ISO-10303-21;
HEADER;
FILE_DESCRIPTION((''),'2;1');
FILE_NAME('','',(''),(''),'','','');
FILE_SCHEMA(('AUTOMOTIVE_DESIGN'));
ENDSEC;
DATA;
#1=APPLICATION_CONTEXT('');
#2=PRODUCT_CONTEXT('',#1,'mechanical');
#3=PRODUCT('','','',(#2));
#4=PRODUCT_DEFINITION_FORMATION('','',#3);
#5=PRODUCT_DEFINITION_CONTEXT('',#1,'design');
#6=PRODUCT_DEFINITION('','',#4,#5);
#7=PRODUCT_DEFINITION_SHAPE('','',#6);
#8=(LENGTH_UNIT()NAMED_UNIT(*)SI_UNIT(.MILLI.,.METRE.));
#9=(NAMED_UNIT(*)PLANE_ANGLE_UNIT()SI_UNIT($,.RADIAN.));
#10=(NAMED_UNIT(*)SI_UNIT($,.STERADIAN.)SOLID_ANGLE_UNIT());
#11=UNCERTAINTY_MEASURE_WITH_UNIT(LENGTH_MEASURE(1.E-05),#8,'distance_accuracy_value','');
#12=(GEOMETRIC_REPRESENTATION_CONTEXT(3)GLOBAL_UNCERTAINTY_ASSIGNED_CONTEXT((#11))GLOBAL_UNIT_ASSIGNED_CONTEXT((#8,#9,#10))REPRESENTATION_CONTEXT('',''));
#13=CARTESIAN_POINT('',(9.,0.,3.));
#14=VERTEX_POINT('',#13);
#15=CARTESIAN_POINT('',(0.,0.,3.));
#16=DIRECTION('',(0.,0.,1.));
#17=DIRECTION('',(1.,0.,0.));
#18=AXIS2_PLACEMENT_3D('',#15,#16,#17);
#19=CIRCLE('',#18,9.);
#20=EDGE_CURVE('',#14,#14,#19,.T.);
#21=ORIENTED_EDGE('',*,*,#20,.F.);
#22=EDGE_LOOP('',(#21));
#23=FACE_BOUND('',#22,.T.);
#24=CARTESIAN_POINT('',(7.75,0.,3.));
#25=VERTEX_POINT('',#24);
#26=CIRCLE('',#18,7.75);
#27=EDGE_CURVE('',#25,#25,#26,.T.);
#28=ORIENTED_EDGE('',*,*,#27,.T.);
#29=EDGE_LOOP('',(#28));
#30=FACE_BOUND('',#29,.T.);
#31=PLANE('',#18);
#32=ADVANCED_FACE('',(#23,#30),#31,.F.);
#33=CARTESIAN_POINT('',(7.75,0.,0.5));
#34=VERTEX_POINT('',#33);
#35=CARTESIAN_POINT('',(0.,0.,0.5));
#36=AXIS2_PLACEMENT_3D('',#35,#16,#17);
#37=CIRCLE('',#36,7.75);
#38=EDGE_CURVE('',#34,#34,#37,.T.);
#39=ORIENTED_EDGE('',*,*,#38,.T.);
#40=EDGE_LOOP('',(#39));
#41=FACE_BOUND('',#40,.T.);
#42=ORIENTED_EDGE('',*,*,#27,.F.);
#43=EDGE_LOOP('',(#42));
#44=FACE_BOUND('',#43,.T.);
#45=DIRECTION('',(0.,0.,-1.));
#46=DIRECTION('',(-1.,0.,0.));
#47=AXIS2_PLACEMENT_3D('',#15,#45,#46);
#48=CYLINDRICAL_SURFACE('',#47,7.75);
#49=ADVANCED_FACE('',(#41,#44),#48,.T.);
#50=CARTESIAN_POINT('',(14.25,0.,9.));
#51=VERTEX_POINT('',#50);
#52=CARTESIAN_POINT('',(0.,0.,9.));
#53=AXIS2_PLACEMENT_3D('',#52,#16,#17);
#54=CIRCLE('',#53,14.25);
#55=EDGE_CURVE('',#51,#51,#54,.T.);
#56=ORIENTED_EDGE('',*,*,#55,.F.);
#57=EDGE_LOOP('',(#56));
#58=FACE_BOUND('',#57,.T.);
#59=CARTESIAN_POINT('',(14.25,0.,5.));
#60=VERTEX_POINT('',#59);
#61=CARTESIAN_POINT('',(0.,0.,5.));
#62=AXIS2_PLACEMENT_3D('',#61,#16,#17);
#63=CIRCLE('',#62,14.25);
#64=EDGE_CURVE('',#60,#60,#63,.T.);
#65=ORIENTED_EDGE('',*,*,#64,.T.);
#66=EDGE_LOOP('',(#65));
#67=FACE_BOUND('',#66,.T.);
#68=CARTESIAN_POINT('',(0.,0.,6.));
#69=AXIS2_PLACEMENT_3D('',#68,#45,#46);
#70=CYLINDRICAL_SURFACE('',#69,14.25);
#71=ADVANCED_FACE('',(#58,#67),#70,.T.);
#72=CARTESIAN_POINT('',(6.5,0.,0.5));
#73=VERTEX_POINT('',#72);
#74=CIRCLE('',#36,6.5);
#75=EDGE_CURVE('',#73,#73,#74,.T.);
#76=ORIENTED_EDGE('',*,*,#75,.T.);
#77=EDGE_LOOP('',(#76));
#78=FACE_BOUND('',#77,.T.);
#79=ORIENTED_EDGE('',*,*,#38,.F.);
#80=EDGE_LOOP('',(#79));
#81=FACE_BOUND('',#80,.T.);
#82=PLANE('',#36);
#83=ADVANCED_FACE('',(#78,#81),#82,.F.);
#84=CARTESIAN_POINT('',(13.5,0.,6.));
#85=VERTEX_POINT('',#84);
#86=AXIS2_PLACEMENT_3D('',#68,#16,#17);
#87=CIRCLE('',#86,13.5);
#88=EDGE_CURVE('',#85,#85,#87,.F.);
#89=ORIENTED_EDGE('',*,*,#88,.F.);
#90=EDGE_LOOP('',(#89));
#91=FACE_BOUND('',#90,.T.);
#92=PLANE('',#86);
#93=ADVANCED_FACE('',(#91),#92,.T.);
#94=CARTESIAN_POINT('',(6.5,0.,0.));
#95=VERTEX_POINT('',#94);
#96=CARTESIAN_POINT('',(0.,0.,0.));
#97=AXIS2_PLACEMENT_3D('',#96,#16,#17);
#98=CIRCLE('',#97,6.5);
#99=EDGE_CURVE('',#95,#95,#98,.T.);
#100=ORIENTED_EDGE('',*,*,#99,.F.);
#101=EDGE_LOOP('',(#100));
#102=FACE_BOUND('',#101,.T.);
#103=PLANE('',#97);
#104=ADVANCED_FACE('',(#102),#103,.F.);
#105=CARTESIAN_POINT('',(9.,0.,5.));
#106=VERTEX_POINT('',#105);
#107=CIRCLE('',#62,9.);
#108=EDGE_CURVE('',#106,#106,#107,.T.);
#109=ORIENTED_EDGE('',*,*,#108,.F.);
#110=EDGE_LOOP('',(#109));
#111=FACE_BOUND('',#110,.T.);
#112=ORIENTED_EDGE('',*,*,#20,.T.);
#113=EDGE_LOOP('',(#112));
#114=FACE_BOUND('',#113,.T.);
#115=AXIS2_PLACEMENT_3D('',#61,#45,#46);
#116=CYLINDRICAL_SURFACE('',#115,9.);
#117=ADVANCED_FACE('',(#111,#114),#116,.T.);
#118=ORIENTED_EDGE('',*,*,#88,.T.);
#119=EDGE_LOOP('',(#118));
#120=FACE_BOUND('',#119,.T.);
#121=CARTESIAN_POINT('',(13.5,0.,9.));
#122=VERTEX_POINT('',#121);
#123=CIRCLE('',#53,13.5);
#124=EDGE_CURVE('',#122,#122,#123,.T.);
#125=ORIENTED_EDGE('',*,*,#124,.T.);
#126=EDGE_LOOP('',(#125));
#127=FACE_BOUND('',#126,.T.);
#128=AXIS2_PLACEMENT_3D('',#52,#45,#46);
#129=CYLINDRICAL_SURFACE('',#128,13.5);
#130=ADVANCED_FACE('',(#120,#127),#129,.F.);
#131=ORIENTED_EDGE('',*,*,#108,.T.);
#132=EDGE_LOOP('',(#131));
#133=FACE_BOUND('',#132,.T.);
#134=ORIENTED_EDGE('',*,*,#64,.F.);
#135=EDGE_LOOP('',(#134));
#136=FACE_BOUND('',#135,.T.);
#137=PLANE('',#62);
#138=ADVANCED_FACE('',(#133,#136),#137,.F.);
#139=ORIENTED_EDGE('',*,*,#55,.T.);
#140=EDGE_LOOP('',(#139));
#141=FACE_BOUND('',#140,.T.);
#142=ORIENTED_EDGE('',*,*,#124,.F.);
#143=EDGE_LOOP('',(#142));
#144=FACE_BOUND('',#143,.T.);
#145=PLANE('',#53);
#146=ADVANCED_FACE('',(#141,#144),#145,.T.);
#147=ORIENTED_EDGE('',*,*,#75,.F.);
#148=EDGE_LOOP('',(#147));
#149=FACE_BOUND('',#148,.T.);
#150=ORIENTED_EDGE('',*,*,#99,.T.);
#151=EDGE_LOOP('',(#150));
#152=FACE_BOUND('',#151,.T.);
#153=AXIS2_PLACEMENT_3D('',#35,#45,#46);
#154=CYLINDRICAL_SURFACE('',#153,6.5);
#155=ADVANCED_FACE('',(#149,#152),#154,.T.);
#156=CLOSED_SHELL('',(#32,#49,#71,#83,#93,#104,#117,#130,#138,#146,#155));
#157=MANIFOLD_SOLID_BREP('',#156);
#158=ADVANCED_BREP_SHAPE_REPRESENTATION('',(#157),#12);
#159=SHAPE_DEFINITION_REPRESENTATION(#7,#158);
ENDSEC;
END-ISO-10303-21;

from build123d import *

# Parameters (mm, degrees)
SKETCH_1_R      = 6.5
EXTRUDE_1_DEPTH = 0.5
SKETCH_2_R      = 7.75
EXTRUDE_2_DEPTH = 2.5
SKETCH_3_R      = 9
EXTRUDE_3_DEPTH = 2
SKETCH_4_R      = 14.25
EXTRUDE_4_DEPTH = 1
SKETCH_5_R      = 14.25
SKETCH_5_R_2    = 13.5
EXTRUDE_5_DEPTH = 3


with BuildPart() as part:
    # Эскиз1 → Бобышка-Вытянуть1 (new body)
    with BuildSketch(Plane.XY):
        Circle(SKETCH_1_R)
    extrude(amount=EXTRUDE_1_DEPTH)

    # Эскиз2 → Бобышка-Вытянуть2 (add)
    with BuildSketch(Plane.XY.offset(0.5)):
        Circle(SKETCH_2_R)
    extrude(amount=EXTRUDE_2_DEPTH)

    # Эскиз3 → Бобышка-Вытянуть3 (add)
    with BuildSketch(Plane.XY.offset(3)):
        Circle(SKETCH_3_R)
    extrude(amount=EXTRUDE_3_DEPTH)

    # Эскиз4 → Бобышка-Вытянуть4 (add)
    with BuildSketch(Plane.XY.offset(5)):
        Circle(SKETCH_4_R)
    extrude(amount=EXTRUDE_4_DEPTH)

    # Эскиз5 → Бобышка-Вытянуть5 (add)
    with BuildSketch(Plane.XY.offset(6)):
        Circle(SKETCH_5_R)
        Circle(SKETCH_5_R_2, mode=Mode.SUBTRACT)
    extrude(amount=EXTRUDE_5_DEPTH)


solid = part.part
